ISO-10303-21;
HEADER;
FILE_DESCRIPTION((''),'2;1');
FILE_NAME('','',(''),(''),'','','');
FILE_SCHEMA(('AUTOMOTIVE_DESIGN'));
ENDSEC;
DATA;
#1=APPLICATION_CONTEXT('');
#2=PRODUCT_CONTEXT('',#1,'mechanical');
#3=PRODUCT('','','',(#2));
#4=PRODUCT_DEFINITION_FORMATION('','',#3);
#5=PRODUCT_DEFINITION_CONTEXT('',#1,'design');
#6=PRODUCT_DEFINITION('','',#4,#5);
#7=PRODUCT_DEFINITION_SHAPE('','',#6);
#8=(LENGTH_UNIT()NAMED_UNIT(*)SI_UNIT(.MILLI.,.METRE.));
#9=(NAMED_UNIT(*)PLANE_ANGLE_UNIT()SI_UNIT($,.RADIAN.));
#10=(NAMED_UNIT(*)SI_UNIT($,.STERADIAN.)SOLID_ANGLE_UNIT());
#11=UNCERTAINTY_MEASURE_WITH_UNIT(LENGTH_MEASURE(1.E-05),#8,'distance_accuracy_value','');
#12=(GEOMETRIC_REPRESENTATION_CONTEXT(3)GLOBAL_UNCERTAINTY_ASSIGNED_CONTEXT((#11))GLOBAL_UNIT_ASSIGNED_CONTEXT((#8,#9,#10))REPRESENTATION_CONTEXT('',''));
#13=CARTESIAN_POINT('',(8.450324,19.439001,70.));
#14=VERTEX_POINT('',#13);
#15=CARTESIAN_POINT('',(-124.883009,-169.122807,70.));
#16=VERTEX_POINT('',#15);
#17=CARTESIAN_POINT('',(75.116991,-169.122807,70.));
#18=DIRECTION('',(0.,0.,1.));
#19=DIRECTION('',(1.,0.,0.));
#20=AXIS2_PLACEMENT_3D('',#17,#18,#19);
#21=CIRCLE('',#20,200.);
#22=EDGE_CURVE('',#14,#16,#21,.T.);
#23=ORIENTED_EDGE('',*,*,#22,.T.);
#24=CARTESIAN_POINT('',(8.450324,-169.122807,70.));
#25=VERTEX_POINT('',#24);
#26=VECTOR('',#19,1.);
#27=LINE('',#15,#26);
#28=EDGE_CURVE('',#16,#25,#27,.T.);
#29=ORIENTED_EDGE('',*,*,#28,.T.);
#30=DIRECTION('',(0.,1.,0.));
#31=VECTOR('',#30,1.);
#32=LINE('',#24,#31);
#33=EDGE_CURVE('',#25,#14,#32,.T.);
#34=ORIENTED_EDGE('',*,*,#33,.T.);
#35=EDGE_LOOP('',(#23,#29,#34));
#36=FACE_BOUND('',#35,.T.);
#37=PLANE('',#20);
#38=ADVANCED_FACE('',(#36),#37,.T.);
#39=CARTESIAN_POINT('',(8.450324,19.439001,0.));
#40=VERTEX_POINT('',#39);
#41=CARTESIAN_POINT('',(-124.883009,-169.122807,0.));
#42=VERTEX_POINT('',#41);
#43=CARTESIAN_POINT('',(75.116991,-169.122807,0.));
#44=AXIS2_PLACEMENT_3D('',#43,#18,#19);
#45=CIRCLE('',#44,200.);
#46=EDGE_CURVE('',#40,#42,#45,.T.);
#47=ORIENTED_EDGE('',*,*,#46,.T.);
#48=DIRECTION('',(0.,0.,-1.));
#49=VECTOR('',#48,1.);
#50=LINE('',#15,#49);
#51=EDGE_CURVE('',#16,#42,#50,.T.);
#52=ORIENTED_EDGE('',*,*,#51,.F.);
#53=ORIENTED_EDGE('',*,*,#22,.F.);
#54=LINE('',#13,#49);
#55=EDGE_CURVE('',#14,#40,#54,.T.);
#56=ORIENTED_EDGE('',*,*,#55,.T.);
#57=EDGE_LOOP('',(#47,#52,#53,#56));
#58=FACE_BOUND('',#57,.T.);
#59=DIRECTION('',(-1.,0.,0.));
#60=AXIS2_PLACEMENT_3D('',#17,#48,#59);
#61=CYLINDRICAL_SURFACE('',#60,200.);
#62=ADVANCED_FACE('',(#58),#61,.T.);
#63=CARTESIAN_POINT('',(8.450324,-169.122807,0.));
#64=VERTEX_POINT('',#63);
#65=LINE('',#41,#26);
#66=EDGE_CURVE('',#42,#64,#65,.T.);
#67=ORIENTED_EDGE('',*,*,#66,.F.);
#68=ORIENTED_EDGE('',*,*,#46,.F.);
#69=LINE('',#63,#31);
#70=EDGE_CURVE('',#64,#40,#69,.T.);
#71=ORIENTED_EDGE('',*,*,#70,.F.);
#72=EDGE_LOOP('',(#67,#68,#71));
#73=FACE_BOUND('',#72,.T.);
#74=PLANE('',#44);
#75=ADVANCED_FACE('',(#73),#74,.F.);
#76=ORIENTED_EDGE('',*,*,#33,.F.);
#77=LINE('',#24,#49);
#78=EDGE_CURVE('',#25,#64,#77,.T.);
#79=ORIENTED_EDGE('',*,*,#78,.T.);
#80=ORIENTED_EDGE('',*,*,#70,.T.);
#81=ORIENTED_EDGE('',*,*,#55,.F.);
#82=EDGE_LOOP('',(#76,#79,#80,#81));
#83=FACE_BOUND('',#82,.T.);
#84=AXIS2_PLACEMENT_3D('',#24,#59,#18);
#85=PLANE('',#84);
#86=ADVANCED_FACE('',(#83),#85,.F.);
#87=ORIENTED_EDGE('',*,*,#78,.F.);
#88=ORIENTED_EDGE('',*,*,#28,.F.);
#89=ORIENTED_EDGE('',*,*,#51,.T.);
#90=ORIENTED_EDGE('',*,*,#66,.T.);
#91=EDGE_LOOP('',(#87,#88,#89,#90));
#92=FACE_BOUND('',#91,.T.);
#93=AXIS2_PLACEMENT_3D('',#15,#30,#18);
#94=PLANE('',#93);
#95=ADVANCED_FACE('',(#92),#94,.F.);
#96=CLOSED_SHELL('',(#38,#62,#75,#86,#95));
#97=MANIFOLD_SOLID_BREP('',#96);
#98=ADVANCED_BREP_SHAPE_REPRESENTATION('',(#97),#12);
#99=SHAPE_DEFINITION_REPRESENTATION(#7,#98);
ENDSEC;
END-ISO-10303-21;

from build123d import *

# Parameters (mm, degrees)
BOSS_EXTRU_2_DEPTH = 70


with BuildPart() as part:
    # Esquisse2 → Boss.-Extru.2 (new body)
    with BuildSketch(Plane.XY):
        with BuildLine():
            Line((-124.883008839, -169.122807018), (8.450324494, -169.122807018))
            Line((8.450324494, -169.122807018), (8.450324494, 19.439001299))
            ThreePointArc((8.450324494, 19.439001299), (-88.182325025, -53.65275318), (-124.883008839, -169.122807018))
        make_face()
    extrude(amount=BOSS_EXTRU_2_DEPTH)


solid = part.part
